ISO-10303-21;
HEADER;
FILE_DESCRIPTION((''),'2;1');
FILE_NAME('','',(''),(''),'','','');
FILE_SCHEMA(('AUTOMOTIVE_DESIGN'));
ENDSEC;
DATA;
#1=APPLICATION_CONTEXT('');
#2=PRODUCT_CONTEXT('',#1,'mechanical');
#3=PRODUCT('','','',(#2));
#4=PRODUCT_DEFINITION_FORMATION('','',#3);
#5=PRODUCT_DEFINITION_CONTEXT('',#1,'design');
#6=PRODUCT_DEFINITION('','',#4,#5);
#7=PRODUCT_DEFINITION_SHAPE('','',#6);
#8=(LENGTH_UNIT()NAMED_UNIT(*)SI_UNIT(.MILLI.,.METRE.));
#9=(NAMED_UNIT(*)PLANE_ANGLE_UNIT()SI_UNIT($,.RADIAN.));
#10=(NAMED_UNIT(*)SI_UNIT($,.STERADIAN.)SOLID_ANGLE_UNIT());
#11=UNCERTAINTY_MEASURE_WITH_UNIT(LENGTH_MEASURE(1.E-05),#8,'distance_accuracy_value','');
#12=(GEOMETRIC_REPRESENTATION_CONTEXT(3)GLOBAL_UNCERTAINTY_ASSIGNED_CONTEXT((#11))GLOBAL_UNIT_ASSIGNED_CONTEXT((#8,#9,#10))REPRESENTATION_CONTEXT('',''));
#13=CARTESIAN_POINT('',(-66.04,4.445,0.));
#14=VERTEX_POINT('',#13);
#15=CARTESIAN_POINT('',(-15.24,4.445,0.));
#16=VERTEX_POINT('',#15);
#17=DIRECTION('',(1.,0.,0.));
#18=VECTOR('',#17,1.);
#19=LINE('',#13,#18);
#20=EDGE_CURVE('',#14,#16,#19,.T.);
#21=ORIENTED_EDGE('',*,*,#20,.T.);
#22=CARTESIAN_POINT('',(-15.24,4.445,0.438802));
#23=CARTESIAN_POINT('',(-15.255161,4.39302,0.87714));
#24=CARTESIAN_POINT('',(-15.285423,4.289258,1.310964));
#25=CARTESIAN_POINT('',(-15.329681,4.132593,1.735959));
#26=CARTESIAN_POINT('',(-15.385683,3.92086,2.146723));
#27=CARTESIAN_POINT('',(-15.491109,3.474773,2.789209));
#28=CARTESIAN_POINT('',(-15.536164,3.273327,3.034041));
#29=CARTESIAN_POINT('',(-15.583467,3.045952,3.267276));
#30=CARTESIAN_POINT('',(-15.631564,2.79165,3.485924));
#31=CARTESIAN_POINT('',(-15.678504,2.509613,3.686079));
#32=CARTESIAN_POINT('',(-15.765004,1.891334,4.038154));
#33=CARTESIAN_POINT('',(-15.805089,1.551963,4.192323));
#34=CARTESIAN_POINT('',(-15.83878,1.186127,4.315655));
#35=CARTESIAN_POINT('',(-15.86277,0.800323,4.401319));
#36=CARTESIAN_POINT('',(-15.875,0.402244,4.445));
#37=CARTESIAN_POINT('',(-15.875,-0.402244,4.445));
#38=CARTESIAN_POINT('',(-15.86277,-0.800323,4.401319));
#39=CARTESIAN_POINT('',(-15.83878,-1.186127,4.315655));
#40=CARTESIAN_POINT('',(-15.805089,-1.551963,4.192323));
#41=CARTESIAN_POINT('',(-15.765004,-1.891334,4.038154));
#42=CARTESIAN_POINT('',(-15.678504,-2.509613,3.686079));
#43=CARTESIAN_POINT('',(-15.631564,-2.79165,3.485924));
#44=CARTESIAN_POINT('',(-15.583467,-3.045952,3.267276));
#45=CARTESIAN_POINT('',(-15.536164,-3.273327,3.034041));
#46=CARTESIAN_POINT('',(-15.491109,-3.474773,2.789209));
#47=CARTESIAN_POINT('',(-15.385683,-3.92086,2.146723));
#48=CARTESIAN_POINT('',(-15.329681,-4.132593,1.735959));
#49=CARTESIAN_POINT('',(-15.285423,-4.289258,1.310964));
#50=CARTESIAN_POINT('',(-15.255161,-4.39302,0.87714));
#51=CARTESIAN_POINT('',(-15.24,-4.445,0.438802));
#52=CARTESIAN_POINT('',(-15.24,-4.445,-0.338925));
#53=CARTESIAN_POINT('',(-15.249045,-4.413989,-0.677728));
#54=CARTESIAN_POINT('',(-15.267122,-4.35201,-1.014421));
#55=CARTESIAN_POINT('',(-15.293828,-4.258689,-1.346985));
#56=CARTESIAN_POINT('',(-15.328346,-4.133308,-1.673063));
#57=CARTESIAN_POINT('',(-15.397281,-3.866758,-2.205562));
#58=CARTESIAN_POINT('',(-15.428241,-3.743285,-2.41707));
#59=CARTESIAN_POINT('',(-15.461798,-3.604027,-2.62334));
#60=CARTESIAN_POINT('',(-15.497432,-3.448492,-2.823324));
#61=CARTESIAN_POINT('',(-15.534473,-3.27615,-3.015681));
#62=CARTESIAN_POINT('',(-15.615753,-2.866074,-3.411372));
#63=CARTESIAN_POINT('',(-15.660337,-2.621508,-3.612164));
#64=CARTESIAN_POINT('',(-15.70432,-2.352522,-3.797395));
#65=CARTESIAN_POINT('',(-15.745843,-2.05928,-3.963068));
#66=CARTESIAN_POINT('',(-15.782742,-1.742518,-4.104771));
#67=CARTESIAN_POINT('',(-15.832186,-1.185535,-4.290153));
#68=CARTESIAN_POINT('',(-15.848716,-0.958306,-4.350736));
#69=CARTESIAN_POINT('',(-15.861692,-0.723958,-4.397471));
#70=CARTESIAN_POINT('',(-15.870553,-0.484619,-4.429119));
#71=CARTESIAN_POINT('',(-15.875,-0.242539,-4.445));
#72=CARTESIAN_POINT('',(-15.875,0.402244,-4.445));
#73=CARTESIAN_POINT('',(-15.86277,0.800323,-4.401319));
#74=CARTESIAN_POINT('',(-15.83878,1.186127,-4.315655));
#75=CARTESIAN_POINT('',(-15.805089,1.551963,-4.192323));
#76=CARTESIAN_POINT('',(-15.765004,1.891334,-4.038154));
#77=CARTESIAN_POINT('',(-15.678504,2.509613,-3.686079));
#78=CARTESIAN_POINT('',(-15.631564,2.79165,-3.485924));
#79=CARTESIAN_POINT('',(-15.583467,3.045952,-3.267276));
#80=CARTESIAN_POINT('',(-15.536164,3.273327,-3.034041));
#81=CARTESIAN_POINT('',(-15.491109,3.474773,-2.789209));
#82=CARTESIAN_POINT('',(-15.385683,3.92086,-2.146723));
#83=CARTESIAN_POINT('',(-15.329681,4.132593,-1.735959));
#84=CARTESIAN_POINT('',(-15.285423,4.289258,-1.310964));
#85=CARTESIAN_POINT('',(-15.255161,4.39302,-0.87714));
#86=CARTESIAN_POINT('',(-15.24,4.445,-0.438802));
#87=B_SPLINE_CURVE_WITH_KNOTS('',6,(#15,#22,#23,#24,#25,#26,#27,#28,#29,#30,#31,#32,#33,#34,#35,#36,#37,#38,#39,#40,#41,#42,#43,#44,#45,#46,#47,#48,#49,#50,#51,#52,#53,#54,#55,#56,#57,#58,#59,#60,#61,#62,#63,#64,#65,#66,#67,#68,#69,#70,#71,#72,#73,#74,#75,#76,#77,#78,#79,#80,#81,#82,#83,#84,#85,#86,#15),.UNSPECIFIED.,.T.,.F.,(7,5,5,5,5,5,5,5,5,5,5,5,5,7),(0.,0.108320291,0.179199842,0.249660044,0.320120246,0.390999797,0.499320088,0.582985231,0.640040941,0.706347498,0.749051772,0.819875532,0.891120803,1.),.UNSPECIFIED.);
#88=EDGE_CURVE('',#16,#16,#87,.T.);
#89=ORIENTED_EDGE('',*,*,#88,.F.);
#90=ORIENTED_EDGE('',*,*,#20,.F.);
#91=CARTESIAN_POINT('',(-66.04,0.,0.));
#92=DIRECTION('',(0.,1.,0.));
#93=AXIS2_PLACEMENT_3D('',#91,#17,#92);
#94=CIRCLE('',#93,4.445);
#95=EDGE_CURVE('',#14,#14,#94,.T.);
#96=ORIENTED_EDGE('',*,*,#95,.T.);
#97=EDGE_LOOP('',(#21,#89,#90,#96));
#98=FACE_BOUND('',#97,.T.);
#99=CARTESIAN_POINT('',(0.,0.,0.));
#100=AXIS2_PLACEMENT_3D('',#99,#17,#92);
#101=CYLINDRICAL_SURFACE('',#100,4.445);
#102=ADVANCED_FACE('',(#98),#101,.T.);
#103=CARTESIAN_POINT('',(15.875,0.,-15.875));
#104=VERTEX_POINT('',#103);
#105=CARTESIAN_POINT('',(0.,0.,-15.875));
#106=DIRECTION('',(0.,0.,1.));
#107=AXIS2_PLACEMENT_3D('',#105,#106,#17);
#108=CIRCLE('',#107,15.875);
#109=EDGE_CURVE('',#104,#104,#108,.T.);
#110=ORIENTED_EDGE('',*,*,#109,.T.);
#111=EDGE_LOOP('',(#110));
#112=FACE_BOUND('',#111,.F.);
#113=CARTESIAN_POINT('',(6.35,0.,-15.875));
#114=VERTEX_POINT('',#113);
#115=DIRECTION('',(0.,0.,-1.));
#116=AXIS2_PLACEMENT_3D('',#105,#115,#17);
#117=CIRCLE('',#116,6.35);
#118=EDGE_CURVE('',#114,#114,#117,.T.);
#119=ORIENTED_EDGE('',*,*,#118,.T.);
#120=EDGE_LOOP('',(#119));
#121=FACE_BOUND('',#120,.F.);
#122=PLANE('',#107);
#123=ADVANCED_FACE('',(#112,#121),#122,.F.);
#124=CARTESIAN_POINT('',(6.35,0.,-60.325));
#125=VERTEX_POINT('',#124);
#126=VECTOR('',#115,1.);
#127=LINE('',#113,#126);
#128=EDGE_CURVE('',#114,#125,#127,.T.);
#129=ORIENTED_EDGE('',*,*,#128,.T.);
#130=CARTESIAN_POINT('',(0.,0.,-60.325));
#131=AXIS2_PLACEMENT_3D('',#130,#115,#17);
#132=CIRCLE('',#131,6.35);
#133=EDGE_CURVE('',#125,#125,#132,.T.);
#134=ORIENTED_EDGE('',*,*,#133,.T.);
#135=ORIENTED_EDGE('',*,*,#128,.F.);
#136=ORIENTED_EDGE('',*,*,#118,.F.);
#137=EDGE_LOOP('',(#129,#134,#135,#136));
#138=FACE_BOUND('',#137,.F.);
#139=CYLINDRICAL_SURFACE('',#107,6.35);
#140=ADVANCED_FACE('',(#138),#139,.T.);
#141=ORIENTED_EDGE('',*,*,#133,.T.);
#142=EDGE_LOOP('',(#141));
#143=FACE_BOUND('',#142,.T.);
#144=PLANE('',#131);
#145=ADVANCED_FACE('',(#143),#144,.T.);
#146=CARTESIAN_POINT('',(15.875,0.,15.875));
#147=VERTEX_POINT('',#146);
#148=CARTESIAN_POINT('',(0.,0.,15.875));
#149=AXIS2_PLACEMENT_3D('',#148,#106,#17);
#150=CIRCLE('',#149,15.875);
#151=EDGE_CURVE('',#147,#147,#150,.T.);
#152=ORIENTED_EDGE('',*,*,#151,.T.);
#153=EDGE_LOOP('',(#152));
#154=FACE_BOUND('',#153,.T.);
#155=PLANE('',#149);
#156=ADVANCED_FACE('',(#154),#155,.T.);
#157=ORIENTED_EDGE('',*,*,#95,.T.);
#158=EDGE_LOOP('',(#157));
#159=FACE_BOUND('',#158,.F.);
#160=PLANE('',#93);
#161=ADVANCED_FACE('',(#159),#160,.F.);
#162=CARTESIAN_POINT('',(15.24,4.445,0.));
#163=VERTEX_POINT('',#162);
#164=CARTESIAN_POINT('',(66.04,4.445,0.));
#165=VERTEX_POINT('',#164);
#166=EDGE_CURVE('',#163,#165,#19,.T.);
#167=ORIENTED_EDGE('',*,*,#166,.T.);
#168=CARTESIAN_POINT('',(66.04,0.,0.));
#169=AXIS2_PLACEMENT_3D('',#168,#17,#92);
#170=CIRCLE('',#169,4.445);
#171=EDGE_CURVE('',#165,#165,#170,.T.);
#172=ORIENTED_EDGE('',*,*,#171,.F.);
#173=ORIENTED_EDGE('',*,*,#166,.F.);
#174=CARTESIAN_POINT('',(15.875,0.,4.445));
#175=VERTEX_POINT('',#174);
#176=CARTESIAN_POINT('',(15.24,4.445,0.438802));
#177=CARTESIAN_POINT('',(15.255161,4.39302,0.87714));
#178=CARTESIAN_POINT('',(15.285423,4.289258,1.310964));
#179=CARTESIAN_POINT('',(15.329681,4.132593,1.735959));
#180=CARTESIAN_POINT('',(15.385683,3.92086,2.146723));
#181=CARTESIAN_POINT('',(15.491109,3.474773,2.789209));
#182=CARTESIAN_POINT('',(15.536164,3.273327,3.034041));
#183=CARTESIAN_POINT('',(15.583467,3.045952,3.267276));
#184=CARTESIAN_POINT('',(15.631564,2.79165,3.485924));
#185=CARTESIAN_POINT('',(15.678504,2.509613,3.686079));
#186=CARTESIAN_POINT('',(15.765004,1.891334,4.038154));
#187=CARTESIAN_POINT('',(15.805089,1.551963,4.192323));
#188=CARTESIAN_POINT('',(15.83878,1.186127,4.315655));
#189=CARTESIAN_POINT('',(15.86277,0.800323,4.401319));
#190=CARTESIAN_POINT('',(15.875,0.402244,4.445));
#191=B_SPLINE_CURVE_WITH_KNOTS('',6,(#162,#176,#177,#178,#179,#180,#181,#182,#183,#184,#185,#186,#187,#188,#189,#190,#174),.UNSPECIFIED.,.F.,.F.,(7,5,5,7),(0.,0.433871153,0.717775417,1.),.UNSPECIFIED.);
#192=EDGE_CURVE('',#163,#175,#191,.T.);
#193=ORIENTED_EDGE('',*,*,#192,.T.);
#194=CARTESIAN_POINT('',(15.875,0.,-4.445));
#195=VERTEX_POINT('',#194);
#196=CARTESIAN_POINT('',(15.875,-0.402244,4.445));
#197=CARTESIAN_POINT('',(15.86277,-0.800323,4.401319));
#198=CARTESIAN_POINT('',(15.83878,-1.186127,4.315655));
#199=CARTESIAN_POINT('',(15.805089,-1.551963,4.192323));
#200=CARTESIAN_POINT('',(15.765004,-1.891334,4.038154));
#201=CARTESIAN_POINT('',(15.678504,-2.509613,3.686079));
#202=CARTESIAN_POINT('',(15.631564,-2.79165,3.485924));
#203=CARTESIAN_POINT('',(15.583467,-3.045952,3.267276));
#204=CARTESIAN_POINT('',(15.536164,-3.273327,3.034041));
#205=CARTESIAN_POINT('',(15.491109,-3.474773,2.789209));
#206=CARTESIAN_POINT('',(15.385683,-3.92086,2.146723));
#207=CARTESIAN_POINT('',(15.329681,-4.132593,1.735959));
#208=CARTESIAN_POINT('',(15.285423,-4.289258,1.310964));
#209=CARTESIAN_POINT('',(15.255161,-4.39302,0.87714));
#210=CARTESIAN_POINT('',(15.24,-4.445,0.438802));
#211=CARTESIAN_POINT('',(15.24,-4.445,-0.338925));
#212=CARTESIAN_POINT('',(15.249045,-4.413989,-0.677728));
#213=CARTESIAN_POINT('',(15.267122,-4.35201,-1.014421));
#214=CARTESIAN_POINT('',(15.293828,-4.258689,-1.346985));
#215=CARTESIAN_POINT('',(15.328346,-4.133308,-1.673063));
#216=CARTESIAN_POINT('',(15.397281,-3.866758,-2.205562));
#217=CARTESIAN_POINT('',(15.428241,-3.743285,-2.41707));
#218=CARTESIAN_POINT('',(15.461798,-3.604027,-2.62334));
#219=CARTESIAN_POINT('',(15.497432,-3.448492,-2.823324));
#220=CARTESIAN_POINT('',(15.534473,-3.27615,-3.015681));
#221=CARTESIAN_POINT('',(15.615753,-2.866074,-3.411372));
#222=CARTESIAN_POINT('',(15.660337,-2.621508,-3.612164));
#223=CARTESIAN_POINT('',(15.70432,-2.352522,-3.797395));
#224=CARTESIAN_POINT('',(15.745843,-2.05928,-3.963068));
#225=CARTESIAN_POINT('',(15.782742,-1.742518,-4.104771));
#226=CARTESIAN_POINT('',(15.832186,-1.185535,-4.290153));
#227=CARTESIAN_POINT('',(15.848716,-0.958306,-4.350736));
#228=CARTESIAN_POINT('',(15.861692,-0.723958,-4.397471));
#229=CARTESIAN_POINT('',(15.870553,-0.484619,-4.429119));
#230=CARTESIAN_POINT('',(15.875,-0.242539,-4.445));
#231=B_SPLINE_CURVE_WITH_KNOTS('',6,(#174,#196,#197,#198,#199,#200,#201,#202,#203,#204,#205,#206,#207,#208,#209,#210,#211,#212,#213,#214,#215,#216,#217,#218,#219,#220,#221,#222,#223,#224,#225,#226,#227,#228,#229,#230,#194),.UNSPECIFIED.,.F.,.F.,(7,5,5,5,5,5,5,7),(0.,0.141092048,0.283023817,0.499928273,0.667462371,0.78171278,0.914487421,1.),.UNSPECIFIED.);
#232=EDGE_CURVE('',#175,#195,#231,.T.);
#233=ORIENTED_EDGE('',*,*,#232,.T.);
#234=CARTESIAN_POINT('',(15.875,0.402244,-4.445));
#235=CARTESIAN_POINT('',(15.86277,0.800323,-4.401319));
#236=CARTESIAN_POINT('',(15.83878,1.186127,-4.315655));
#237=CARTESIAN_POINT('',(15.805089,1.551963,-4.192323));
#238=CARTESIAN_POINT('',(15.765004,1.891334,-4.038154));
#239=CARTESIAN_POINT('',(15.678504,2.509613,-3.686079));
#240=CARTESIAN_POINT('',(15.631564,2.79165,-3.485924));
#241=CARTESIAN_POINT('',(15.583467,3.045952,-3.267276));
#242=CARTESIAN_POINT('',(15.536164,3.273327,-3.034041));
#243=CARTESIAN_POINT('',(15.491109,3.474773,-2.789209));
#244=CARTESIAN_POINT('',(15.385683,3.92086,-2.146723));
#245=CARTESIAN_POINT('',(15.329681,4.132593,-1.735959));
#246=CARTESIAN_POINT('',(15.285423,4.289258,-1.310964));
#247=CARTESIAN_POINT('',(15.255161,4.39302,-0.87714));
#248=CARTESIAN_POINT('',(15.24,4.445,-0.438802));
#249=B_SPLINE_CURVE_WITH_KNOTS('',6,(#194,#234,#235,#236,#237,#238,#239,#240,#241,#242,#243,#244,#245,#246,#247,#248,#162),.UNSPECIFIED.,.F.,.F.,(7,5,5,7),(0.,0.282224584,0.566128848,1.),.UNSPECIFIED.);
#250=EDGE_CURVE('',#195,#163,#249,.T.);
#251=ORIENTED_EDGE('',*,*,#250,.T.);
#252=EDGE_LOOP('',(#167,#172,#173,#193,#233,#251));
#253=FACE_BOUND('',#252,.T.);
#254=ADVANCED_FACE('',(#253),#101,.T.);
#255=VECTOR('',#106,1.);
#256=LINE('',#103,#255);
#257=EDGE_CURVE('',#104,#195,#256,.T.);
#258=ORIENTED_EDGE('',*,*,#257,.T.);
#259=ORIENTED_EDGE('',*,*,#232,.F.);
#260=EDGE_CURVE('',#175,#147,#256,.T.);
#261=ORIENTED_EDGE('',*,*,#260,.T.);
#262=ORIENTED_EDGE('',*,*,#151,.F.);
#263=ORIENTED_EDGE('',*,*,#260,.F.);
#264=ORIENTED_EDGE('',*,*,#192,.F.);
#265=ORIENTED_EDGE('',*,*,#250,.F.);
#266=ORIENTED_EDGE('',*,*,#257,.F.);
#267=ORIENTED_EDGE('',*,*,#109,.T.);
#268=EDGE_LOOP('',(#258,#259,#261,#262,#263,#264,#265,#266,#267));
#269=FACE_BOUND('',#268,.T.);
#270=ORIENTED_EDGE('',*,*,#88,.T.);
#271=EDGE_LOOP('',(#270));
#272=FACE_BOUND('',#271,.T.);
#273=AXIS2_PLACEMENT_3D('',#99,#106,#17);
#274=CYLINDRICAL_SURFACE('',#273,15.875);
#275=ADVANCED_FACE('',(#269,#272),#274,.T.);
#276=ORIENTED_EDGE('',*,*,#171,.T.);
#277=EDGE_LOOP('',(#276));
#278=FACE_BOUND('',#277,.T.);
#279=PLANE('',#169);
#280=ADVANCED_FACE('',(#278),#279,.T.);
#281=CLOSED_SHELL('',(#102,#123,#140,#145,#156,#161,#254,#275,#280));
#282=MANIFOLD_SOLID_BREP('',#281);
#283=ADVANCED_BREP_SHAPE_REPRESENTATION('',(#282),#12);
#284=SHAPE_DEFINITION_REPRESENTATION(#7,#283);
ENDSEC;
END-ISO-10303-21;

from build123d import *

# Parameters (mm, degrees)
F0_R     = 15.875
F1_DEPTH = 15.875
F2_R     = 6.35
F3_DEPTH = 44.45
F4_R     = 4.445
F5_DEPTH = 66.04


with BuildPart() as f1:
    # F0 (on Top) → F1 (new body, symmetric)
    with BuildSketch(Plane.XY):
        Circle(F0_R)
    extrude(amount=F1_DEPTH, both=True)

    # F2 (on face) → F3 (join)
    with BuildSketch(Plane(origin=(0, 0, -15.875), x_dir=(1, 0, 0), z_dir=(0, 0, -1))):
        Circle(F2_R)
    extrude(amount=F3_DEPTH)

    # F4 (on Right) → F5 (join, symmetric)
    with BuildSketch(Plane.YZ):
        Circle(F4_R)
    extrude(amount=F5_DEPTH, both=True)


solid = f1.part
